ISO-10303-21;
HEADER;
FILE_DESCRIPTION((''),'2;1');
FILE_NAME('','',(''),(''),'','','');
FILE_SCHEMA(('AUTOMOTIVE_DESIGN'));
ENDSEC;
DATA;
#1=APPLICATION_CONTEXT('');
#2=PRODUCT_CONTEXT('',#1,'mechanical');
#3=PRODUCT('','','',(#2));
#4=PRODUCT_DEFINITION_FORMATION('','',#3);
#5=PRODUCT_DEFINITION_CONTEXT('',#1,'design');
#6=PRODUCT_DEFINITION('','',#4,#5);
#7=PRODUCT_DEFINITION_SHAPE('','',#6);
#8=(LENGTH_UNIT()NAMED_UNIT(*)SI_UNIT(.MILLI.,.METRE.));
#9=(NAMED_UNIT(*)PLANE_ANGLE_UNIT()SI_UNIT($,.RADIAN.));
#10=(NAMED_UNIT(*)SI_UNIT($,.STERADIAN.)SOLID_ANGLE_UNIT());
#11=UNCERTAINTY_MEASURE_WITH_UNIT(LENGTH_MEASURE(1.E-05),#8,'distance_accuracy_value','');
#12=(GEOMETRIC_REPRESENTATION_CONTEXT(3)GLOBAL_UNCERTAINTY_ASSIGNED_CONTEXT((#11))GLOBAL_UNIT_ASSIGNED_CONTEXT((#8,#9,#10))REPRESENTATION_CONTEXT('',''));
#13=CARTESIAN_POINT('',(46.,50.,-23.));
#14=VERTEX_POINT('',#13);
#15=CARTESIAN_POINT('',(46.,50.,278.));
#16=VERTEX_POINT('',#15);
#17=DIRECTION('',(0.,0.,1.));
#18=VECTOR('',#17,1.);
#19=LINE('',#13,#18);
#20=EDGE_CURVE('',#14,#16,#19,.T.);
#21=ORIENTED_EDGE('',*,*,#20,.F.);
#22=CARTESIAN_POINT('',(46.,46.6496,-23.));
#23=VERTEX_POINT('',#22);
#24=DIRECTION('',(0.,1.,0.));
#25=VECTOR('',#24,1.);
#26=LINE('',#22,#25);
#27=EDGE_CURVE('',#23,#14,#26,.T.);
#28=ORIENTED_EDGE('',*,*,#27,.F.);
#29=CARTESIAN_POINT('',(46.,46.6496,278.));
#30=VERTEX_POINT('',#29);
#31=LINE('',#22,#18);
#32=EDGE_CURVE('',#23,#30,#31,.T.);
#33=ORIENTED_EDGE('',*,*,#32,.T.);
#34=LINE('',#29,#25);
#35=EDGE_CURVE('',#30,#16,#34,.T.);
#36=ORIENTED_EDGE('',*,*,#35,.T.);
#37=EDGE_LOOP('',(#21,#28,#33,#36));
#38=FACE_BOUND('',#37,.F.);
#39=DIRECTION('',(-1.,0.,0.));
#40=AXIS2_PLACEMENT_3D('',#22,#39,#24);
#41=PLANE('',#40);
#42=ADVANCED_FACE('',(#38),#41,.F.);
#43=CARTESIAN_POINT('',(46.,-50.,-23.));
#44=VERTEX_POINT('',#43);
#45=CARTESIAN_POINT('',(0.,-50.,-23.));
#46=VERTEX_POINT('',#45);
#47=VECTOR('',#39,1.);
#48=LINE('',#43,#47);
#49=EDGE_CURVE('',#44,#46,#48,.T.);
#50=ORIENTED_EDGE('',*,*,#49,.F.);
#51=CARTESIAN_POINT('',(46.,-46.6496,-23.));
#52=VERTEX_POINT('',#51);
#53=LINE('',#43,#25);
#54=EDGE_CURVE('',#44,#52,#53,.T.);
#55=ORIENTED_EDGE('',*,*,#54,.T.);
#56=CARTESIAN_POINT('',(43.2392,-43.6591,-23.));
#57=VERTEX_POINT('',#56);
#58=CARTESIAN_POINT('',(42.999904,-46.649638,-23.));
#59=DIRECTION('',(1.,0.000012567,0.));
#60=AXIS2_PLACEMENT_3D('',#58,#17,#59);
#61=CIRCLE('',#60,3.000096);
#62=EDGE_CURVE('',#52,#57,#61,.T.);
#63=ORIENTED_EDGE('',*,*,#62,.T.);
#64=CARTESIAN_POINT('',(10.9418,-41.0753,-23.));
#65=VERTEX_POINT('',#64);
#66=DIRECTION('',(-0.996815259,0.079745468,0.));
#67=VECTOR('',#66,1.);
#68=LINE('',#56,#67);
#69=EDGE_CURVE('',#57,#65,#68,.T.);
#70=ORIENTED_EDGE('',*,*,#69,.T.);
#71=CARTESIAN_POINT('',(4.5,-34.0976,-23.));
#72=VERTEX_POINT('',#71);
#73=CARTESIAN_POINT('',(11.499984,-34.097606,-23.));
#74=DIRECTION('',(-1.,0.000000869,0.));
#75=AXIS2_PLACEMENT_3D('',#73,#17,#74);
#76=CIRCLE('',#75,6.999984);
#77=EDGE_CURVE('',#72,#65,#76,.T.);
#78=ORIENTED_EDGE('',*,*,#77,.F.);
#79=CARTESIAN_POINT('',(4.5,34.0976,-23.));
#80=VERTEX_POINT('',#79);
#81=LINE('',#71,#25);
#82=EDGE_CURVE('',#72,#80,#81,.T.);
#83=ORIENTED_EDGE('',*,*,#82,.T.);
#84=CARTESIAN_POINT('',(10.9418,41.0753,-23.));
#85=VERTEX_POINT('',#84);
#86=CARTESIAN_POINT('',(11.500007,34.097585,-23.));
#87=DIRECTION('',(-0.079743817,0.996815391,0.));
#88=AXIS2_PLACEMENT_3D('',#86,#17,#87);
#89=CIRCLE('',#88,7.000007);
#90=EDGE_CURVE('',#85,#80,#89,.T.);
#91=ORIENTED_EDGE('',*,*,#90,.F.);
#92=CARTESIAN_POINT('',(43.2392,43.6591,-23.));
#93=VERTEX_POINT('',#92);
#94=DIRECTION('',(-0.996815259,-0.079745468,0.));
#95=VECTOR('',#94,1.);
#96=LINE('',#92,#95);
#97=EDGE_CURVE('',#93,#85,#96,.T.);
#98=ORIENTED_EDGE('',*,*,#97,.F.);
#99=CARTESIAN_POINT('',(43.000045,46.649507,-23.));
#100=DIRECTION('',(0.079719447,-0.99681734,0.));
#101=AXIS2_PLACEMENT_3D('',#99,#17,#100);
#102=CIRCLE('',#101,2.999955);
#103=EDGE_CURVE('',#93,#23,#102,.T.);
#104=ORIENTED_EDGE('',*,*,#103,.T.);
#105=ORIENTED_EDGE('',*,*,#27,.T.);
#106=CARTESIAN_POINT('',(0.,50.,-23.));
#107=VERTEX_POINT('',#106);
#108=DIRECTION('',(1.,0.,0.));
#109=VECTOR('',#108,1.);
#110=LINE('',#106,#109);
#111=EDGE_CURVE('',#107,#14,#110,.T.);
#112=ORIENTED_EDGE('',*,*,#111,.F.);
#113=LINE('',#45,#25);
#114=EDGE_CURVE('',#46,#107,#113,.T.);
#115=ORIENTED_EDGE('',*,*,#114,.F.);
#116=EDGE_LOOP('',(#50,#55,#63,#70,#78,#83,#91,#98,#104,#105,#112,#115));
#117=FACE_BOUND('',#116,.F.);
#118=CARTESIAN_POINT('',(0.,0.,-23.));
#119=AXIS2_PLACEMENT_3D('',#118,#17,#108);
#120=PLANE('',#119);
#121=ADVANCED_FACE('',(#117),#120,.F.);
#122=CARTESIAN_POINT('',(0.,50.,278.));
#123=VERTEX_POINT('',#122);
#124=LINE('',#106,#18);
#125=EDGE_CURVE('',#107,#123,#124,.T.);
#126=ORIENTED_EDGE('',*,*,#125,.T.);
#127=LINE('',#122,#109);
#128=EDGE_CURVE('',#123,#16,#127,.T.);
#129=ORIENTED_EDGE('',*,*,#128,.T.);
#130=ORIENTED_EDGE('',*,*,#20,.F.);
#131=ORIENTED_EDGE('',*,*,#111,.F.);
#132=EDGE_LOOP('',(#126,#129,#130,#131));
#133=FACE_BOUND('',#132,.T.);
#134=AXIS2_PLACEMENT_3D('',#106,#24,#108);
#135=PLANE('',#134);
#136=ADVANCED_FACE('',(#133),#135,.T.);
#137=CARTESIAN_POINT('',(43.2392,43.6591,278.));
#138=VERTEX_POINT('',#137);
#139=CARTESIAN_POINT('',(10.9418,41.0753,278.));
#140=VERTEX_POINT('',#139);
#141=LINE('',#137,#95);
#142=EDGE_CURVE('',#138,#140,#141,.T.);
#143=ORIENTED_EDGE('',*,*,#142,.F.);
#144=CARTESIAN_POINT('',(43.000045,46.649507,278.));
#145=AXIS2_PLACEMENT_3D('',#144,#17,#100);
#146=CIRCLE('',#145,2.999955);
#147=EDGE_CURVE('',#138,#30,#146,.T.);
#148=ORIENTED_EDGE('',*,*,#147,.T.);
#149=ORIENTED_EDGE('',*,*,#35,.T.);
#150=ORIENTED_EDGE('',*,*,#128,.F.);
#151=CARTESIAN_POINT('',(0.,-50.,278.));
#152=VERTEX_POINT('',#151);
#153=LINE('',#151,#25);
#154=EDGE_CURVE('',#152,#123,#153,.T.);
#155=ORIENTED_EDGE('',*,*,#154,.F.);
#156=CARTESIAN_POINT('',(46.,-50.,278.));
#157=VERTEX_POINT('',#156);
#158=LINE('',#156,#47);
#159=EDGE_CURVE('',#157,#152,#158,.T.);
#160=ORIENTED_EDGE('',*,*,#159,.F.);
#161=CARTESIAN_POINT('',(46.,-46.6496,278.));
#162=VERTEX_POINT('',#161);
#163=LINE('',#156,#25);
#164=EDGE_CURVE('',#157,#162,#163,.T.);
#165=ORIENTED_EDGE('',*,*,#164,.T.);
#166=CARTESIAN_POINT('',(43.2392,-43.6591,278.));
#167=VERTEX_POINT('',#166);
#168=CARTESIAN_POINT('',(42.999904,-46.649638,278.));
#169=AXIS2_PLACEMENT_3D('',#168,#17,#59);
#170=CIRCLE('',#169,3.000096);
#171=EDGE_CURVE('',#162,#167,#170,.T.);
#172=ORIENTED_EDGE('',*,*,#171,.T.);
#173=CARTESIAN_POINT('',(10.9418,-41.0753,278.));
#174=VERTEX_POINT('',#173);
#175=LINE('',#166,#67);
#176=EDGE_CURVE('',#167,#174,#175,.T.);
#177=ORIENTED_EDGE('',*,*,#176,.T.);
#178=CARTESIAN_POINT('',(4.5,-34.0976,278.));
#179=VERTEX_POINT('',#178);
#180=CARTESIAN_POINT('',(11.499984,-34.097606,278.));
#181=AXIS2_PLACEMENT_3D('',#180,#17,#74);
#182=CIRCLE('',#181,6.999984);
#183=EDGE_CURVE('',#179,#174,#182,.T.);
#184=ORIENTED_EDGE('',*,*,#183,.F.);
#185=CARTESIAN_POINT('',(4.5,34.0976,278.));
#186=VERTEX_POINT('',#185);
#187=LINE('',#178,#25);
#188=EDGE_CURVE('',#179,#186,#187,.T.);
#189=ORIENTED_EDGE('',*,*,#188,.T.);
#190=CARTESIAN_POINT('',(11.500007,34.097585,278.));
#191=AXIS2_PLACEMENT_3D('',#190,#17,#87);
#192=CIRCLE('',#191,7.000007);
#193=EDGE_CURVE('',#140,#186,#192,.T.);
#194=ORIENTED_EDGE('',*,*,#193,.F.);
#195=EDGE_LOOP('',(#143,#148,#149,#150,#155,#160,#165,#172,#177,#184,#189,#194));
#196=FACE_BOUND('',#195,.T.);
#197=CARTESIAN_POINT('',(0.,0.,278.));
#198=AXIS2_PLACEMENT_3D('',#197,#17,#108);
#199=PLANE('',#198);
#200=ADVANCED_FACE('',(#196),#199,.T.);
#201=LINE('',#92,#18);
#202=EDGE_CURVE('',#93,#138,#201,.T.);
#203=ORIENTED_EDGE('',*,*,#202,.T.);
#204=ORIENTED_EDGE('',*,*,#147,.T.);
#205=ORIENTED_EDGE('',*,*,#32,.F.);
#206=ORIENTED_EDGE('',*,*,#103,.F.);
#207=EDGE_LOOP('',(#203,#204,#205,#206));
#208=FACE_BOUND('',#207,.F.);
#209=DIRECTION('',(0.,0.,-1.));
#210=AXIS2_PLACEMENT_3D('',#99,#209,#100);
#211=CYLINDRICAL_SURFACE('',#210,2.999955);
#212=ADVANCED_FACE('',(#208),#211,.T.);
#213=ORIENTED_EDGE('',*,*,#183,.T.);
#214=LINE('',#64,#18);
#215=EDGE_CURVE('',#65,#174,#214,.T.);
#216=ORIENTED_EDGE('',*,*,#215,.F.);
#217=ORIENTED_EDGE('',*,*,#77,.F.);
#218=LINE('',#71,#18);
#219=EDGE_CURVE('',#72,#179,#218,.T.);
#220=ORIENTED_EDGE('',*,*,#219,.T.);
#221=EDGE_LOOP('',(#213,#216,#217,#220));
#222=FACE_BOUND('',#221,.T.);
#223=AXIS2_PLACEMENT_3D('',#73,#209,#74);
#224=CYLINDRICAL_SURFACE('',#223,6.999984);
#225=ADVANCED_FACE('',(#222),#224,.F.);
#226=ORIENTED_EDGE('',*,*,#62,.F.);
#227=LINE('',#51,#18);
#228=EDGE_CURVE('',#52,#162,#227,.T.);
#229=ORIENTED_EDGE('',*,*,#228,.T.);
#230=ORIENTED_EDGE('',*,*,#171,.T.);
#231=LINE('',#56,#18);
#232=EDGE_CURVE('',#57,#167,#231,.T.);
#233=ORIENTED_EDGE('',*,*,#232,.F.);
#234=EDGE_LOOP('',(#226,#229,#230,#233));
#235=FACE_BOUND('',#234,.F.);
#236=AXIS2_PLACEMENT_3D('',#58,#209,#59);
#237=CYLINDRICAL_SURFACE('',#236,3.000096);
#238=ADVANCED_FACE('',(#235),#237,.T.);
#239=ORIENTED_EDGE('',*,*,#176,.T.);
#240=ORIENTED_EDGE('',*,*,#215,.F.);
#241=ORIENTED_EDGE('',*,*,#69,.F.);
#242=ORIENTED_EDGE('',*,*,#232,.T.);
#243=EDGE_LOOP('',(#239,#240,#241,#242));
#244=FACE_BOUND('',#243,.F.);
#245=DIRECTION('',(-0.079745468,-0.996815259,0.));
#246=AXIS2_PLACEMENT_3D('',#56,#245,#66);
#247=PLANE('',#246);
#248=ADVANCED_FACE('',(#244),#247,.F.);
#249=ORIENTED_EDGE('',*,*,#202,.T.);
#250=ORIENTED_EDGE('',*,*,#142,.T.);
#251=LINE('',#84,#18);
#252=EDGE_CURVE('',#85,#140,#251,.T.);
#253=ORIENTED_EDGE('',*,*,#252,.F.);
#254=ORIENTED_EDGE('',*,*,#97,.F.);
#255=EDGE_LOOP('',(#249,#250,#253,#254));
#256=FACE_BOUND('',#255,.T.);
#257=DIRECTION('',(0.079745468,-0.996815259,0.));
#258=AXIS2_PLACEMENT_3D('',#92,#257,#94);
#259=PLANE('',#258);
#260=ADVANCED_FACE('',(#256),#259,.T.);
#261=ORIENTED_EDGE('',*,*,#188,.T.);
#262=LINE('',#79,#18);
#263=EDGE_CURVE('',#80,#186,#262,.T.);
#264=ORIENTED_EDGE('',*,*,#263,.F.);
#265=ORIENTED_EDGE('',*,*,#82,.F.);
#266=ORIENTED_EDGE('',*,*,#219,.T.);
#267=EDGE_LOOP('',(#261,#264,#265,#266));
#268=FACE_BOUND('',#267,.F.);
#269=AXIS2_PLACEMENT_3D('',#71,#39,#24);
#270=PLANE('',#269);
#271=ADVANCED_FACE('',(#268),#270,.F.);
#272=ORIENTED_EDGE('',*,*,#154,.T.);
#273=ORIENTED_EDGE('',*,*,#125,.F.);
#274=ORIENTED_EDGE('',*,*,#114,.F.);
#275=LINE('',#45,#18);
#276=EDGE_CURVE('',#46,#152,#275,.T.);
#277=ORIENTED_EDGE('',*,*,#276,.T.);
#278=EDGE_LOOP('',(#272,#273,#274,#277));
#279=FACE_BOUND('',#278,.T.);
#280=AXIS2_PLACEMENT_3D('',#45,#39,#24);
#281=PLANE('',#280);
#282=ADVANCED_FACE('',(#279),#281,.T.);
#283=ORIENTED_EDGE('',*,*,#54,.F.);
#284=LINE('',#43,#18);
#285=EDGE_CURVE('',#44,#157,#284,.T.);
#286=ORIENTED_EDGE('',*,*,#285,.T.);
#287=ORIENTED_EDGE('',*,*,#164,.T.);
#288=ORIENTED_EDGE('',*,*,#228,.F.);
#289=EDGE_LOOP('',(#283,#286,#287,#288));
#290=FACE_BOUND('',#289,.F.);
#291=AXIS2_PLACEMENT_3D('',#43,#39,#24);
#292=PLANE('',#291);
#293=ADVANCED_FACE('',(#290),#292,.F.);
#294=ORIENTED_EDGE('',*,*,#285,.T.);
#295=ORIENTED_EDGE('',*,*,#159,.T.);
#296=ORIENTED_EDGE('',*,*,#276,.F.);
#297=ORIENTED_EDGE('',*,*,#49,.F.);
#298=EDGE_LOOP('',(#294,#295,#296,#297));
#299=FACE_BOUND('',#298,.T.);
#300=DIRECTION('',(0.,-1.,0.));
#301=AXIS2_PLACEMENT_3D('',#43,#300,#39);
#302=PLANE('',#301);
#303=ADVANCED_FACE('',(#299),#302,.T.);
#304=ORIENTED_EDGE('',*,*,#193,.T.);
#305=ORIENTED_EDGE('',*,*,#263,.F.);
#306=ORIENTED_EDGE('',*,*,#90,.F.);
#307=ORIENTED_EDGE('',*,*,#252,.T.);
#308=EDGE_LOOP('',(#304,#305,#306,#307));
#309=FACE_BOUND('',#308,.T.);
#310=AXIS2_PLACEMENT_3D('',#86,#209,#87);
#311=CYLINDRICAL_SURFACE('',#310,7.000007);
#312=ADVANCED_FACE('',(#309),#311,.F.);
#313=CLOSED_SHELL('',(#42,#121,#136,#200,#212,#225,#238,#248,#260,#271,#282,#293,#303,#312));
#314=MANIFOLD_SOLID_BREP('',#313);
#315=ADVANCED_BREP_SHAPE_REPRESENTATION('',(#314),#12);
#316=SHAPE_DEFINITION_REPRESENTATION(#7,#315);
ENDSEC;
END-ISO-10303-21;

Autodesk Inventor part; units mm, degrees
ref_plane "Начальная плоскость" through (0, 0, -23) normal (0, 0, 1) x (1, 0, 0)
ref_plane "Конечная плоскость" through (0, 0, 278) normal (0, 0, 1) x (1, 0, 0)
sketch "Эскиз" plane through (0, 0, 0) normal (0, 0, 1) x (1, 0, 0)
  line L0 (46, -50) -> (0, -50)
  line L1 (46, -50) -> (46, -46.6496)
  line L2 (43.2392, -43.6591) -> (10.9418, -41.0753)
  line L3 (4.5, -34.0976) -> (4.5, 34.0976)
  line L4 (43.2392, 43.6591) -> (10.9418, 41.0753)
  line L5 (46, 46.6496) -> (46, 50)
  line L6 (0, 50) -> (46, 50)
  line L7 (0, -50) -> (0, 50)
  arc A0 (4.5, -34.0976) -> (10.9418, -41.0753) centre (11.5, -34.0976) ccw
  arc A1 (10.9418, 41.0753) -> (4.5, 34.0976) centre (11.5, 34.0976) ccw
  arc A2 (46, -46.6496) -> (43.2392, -43.6591) centre (43, -46.6496) ccw
  arc A3 (43.2392, 43.6591) -> (46, 46.6496) centre (43, 46.6496) ccw
  line L8 (0, 70) -> (0, -70) construction
  line L9 (-9.3169, 0) -> (55.9016, 0) construction
  point P0 (46, -43.88)
  point P1 (4.5, -40.56)
  point P2 (4.5, 40.56)
  point P3 (46, 43.88)
  dimension "d3" = 46
  dimension "d5" = 4.5
  dimension "d7" = 100
  dimension "d9" = 9.44
  dimension "d11" = 9.44
  dimension "d13" = 6.12
  dimension "d15" = 6.12
  dimension "d22" = 7
  dimension "d23" = 3
  dimension "d24" = 50
  dimension "d25" = 0
extrude "Тело" add sketch "Эскиз" along normal up to surface (301 mm away) from surface at -23
sketch "Sketch3" plane through (0, 0, 0) normal (0, 0, 1) x (1, 0, 0)
  line L0 (0, 0) -> (10, 0)
ref_plane "Work Plane7" through (0, 0, 0) normal (0, -1, 0) x (1, 0, 0)
sketch "Sketch4" plane through (0, 0, 0) normal (0, -1, 0) x (1, 0, 0)
  line L0 (-2, -23) -> (12, -23)
  line L1 (-2, 278) -> (12, 278)
  dimension "d29" = 301
ref_plane "РабПлоскость8" through (-427, -46.6496, -23) normal (0, 0, -1) x (-1, 0, 0)
split "Разделение1" plane through (-427, -46.6496, -23) removes the side toward (0, 0, -1)
ref_plane "РабПлоскость9" through (23, -46.6496, 278) normal (0, 0, 1) x (1, 0, 0)
split "Разделение2" plane through (23, -46.6496, 278) removes the side toward (0, 0, 1)
equation "\"d3\" = b"
equation "\"d5\" = t1"
equation "\"d7\" = ParH"
equation "\"d9\" = msp_x1 + t2"
equation "\"d11\" = msp_x1 + t2"
equation "\"d13\" = -msp_x2 + t2"
equation "\"d15\" = -msp_x2 + t2"
equation "\"d22\" = R"
equation "\"d23\" = R1"
equation "\"d24\" = 0.5 * d7"
equation "\"d16\" = G_L"
equation "\"R1\" = 3"
equation "\"R\" = 7"
equation "\"t1\" = 4.5"
equation "\"t2\" = 7.6"
equation "\"ParH\" = 100"
equation "\"b\" = 46"
equation "\"msp_x1\" = 0.04 * b"
equation "\"msp_x2\" = -0.08 * t1 + 0.04 * b"
equation "\"G_L\" = d29"
equation "\"ex\" = 0"
equation "\"G_OFFSET_START\" = 23"
equation "\"G_OFFSET_END\" = 23"
equation "\"d26\" = -G_OFFSET_START"
equation "\"d27\" = G_OFFSET_END + B_L"
equation "\"B_L\" = 255"
properties part number "Швеллер 10U-301 ГОСТ 8240-97" material "Сталь, мягкая, сварочная"
